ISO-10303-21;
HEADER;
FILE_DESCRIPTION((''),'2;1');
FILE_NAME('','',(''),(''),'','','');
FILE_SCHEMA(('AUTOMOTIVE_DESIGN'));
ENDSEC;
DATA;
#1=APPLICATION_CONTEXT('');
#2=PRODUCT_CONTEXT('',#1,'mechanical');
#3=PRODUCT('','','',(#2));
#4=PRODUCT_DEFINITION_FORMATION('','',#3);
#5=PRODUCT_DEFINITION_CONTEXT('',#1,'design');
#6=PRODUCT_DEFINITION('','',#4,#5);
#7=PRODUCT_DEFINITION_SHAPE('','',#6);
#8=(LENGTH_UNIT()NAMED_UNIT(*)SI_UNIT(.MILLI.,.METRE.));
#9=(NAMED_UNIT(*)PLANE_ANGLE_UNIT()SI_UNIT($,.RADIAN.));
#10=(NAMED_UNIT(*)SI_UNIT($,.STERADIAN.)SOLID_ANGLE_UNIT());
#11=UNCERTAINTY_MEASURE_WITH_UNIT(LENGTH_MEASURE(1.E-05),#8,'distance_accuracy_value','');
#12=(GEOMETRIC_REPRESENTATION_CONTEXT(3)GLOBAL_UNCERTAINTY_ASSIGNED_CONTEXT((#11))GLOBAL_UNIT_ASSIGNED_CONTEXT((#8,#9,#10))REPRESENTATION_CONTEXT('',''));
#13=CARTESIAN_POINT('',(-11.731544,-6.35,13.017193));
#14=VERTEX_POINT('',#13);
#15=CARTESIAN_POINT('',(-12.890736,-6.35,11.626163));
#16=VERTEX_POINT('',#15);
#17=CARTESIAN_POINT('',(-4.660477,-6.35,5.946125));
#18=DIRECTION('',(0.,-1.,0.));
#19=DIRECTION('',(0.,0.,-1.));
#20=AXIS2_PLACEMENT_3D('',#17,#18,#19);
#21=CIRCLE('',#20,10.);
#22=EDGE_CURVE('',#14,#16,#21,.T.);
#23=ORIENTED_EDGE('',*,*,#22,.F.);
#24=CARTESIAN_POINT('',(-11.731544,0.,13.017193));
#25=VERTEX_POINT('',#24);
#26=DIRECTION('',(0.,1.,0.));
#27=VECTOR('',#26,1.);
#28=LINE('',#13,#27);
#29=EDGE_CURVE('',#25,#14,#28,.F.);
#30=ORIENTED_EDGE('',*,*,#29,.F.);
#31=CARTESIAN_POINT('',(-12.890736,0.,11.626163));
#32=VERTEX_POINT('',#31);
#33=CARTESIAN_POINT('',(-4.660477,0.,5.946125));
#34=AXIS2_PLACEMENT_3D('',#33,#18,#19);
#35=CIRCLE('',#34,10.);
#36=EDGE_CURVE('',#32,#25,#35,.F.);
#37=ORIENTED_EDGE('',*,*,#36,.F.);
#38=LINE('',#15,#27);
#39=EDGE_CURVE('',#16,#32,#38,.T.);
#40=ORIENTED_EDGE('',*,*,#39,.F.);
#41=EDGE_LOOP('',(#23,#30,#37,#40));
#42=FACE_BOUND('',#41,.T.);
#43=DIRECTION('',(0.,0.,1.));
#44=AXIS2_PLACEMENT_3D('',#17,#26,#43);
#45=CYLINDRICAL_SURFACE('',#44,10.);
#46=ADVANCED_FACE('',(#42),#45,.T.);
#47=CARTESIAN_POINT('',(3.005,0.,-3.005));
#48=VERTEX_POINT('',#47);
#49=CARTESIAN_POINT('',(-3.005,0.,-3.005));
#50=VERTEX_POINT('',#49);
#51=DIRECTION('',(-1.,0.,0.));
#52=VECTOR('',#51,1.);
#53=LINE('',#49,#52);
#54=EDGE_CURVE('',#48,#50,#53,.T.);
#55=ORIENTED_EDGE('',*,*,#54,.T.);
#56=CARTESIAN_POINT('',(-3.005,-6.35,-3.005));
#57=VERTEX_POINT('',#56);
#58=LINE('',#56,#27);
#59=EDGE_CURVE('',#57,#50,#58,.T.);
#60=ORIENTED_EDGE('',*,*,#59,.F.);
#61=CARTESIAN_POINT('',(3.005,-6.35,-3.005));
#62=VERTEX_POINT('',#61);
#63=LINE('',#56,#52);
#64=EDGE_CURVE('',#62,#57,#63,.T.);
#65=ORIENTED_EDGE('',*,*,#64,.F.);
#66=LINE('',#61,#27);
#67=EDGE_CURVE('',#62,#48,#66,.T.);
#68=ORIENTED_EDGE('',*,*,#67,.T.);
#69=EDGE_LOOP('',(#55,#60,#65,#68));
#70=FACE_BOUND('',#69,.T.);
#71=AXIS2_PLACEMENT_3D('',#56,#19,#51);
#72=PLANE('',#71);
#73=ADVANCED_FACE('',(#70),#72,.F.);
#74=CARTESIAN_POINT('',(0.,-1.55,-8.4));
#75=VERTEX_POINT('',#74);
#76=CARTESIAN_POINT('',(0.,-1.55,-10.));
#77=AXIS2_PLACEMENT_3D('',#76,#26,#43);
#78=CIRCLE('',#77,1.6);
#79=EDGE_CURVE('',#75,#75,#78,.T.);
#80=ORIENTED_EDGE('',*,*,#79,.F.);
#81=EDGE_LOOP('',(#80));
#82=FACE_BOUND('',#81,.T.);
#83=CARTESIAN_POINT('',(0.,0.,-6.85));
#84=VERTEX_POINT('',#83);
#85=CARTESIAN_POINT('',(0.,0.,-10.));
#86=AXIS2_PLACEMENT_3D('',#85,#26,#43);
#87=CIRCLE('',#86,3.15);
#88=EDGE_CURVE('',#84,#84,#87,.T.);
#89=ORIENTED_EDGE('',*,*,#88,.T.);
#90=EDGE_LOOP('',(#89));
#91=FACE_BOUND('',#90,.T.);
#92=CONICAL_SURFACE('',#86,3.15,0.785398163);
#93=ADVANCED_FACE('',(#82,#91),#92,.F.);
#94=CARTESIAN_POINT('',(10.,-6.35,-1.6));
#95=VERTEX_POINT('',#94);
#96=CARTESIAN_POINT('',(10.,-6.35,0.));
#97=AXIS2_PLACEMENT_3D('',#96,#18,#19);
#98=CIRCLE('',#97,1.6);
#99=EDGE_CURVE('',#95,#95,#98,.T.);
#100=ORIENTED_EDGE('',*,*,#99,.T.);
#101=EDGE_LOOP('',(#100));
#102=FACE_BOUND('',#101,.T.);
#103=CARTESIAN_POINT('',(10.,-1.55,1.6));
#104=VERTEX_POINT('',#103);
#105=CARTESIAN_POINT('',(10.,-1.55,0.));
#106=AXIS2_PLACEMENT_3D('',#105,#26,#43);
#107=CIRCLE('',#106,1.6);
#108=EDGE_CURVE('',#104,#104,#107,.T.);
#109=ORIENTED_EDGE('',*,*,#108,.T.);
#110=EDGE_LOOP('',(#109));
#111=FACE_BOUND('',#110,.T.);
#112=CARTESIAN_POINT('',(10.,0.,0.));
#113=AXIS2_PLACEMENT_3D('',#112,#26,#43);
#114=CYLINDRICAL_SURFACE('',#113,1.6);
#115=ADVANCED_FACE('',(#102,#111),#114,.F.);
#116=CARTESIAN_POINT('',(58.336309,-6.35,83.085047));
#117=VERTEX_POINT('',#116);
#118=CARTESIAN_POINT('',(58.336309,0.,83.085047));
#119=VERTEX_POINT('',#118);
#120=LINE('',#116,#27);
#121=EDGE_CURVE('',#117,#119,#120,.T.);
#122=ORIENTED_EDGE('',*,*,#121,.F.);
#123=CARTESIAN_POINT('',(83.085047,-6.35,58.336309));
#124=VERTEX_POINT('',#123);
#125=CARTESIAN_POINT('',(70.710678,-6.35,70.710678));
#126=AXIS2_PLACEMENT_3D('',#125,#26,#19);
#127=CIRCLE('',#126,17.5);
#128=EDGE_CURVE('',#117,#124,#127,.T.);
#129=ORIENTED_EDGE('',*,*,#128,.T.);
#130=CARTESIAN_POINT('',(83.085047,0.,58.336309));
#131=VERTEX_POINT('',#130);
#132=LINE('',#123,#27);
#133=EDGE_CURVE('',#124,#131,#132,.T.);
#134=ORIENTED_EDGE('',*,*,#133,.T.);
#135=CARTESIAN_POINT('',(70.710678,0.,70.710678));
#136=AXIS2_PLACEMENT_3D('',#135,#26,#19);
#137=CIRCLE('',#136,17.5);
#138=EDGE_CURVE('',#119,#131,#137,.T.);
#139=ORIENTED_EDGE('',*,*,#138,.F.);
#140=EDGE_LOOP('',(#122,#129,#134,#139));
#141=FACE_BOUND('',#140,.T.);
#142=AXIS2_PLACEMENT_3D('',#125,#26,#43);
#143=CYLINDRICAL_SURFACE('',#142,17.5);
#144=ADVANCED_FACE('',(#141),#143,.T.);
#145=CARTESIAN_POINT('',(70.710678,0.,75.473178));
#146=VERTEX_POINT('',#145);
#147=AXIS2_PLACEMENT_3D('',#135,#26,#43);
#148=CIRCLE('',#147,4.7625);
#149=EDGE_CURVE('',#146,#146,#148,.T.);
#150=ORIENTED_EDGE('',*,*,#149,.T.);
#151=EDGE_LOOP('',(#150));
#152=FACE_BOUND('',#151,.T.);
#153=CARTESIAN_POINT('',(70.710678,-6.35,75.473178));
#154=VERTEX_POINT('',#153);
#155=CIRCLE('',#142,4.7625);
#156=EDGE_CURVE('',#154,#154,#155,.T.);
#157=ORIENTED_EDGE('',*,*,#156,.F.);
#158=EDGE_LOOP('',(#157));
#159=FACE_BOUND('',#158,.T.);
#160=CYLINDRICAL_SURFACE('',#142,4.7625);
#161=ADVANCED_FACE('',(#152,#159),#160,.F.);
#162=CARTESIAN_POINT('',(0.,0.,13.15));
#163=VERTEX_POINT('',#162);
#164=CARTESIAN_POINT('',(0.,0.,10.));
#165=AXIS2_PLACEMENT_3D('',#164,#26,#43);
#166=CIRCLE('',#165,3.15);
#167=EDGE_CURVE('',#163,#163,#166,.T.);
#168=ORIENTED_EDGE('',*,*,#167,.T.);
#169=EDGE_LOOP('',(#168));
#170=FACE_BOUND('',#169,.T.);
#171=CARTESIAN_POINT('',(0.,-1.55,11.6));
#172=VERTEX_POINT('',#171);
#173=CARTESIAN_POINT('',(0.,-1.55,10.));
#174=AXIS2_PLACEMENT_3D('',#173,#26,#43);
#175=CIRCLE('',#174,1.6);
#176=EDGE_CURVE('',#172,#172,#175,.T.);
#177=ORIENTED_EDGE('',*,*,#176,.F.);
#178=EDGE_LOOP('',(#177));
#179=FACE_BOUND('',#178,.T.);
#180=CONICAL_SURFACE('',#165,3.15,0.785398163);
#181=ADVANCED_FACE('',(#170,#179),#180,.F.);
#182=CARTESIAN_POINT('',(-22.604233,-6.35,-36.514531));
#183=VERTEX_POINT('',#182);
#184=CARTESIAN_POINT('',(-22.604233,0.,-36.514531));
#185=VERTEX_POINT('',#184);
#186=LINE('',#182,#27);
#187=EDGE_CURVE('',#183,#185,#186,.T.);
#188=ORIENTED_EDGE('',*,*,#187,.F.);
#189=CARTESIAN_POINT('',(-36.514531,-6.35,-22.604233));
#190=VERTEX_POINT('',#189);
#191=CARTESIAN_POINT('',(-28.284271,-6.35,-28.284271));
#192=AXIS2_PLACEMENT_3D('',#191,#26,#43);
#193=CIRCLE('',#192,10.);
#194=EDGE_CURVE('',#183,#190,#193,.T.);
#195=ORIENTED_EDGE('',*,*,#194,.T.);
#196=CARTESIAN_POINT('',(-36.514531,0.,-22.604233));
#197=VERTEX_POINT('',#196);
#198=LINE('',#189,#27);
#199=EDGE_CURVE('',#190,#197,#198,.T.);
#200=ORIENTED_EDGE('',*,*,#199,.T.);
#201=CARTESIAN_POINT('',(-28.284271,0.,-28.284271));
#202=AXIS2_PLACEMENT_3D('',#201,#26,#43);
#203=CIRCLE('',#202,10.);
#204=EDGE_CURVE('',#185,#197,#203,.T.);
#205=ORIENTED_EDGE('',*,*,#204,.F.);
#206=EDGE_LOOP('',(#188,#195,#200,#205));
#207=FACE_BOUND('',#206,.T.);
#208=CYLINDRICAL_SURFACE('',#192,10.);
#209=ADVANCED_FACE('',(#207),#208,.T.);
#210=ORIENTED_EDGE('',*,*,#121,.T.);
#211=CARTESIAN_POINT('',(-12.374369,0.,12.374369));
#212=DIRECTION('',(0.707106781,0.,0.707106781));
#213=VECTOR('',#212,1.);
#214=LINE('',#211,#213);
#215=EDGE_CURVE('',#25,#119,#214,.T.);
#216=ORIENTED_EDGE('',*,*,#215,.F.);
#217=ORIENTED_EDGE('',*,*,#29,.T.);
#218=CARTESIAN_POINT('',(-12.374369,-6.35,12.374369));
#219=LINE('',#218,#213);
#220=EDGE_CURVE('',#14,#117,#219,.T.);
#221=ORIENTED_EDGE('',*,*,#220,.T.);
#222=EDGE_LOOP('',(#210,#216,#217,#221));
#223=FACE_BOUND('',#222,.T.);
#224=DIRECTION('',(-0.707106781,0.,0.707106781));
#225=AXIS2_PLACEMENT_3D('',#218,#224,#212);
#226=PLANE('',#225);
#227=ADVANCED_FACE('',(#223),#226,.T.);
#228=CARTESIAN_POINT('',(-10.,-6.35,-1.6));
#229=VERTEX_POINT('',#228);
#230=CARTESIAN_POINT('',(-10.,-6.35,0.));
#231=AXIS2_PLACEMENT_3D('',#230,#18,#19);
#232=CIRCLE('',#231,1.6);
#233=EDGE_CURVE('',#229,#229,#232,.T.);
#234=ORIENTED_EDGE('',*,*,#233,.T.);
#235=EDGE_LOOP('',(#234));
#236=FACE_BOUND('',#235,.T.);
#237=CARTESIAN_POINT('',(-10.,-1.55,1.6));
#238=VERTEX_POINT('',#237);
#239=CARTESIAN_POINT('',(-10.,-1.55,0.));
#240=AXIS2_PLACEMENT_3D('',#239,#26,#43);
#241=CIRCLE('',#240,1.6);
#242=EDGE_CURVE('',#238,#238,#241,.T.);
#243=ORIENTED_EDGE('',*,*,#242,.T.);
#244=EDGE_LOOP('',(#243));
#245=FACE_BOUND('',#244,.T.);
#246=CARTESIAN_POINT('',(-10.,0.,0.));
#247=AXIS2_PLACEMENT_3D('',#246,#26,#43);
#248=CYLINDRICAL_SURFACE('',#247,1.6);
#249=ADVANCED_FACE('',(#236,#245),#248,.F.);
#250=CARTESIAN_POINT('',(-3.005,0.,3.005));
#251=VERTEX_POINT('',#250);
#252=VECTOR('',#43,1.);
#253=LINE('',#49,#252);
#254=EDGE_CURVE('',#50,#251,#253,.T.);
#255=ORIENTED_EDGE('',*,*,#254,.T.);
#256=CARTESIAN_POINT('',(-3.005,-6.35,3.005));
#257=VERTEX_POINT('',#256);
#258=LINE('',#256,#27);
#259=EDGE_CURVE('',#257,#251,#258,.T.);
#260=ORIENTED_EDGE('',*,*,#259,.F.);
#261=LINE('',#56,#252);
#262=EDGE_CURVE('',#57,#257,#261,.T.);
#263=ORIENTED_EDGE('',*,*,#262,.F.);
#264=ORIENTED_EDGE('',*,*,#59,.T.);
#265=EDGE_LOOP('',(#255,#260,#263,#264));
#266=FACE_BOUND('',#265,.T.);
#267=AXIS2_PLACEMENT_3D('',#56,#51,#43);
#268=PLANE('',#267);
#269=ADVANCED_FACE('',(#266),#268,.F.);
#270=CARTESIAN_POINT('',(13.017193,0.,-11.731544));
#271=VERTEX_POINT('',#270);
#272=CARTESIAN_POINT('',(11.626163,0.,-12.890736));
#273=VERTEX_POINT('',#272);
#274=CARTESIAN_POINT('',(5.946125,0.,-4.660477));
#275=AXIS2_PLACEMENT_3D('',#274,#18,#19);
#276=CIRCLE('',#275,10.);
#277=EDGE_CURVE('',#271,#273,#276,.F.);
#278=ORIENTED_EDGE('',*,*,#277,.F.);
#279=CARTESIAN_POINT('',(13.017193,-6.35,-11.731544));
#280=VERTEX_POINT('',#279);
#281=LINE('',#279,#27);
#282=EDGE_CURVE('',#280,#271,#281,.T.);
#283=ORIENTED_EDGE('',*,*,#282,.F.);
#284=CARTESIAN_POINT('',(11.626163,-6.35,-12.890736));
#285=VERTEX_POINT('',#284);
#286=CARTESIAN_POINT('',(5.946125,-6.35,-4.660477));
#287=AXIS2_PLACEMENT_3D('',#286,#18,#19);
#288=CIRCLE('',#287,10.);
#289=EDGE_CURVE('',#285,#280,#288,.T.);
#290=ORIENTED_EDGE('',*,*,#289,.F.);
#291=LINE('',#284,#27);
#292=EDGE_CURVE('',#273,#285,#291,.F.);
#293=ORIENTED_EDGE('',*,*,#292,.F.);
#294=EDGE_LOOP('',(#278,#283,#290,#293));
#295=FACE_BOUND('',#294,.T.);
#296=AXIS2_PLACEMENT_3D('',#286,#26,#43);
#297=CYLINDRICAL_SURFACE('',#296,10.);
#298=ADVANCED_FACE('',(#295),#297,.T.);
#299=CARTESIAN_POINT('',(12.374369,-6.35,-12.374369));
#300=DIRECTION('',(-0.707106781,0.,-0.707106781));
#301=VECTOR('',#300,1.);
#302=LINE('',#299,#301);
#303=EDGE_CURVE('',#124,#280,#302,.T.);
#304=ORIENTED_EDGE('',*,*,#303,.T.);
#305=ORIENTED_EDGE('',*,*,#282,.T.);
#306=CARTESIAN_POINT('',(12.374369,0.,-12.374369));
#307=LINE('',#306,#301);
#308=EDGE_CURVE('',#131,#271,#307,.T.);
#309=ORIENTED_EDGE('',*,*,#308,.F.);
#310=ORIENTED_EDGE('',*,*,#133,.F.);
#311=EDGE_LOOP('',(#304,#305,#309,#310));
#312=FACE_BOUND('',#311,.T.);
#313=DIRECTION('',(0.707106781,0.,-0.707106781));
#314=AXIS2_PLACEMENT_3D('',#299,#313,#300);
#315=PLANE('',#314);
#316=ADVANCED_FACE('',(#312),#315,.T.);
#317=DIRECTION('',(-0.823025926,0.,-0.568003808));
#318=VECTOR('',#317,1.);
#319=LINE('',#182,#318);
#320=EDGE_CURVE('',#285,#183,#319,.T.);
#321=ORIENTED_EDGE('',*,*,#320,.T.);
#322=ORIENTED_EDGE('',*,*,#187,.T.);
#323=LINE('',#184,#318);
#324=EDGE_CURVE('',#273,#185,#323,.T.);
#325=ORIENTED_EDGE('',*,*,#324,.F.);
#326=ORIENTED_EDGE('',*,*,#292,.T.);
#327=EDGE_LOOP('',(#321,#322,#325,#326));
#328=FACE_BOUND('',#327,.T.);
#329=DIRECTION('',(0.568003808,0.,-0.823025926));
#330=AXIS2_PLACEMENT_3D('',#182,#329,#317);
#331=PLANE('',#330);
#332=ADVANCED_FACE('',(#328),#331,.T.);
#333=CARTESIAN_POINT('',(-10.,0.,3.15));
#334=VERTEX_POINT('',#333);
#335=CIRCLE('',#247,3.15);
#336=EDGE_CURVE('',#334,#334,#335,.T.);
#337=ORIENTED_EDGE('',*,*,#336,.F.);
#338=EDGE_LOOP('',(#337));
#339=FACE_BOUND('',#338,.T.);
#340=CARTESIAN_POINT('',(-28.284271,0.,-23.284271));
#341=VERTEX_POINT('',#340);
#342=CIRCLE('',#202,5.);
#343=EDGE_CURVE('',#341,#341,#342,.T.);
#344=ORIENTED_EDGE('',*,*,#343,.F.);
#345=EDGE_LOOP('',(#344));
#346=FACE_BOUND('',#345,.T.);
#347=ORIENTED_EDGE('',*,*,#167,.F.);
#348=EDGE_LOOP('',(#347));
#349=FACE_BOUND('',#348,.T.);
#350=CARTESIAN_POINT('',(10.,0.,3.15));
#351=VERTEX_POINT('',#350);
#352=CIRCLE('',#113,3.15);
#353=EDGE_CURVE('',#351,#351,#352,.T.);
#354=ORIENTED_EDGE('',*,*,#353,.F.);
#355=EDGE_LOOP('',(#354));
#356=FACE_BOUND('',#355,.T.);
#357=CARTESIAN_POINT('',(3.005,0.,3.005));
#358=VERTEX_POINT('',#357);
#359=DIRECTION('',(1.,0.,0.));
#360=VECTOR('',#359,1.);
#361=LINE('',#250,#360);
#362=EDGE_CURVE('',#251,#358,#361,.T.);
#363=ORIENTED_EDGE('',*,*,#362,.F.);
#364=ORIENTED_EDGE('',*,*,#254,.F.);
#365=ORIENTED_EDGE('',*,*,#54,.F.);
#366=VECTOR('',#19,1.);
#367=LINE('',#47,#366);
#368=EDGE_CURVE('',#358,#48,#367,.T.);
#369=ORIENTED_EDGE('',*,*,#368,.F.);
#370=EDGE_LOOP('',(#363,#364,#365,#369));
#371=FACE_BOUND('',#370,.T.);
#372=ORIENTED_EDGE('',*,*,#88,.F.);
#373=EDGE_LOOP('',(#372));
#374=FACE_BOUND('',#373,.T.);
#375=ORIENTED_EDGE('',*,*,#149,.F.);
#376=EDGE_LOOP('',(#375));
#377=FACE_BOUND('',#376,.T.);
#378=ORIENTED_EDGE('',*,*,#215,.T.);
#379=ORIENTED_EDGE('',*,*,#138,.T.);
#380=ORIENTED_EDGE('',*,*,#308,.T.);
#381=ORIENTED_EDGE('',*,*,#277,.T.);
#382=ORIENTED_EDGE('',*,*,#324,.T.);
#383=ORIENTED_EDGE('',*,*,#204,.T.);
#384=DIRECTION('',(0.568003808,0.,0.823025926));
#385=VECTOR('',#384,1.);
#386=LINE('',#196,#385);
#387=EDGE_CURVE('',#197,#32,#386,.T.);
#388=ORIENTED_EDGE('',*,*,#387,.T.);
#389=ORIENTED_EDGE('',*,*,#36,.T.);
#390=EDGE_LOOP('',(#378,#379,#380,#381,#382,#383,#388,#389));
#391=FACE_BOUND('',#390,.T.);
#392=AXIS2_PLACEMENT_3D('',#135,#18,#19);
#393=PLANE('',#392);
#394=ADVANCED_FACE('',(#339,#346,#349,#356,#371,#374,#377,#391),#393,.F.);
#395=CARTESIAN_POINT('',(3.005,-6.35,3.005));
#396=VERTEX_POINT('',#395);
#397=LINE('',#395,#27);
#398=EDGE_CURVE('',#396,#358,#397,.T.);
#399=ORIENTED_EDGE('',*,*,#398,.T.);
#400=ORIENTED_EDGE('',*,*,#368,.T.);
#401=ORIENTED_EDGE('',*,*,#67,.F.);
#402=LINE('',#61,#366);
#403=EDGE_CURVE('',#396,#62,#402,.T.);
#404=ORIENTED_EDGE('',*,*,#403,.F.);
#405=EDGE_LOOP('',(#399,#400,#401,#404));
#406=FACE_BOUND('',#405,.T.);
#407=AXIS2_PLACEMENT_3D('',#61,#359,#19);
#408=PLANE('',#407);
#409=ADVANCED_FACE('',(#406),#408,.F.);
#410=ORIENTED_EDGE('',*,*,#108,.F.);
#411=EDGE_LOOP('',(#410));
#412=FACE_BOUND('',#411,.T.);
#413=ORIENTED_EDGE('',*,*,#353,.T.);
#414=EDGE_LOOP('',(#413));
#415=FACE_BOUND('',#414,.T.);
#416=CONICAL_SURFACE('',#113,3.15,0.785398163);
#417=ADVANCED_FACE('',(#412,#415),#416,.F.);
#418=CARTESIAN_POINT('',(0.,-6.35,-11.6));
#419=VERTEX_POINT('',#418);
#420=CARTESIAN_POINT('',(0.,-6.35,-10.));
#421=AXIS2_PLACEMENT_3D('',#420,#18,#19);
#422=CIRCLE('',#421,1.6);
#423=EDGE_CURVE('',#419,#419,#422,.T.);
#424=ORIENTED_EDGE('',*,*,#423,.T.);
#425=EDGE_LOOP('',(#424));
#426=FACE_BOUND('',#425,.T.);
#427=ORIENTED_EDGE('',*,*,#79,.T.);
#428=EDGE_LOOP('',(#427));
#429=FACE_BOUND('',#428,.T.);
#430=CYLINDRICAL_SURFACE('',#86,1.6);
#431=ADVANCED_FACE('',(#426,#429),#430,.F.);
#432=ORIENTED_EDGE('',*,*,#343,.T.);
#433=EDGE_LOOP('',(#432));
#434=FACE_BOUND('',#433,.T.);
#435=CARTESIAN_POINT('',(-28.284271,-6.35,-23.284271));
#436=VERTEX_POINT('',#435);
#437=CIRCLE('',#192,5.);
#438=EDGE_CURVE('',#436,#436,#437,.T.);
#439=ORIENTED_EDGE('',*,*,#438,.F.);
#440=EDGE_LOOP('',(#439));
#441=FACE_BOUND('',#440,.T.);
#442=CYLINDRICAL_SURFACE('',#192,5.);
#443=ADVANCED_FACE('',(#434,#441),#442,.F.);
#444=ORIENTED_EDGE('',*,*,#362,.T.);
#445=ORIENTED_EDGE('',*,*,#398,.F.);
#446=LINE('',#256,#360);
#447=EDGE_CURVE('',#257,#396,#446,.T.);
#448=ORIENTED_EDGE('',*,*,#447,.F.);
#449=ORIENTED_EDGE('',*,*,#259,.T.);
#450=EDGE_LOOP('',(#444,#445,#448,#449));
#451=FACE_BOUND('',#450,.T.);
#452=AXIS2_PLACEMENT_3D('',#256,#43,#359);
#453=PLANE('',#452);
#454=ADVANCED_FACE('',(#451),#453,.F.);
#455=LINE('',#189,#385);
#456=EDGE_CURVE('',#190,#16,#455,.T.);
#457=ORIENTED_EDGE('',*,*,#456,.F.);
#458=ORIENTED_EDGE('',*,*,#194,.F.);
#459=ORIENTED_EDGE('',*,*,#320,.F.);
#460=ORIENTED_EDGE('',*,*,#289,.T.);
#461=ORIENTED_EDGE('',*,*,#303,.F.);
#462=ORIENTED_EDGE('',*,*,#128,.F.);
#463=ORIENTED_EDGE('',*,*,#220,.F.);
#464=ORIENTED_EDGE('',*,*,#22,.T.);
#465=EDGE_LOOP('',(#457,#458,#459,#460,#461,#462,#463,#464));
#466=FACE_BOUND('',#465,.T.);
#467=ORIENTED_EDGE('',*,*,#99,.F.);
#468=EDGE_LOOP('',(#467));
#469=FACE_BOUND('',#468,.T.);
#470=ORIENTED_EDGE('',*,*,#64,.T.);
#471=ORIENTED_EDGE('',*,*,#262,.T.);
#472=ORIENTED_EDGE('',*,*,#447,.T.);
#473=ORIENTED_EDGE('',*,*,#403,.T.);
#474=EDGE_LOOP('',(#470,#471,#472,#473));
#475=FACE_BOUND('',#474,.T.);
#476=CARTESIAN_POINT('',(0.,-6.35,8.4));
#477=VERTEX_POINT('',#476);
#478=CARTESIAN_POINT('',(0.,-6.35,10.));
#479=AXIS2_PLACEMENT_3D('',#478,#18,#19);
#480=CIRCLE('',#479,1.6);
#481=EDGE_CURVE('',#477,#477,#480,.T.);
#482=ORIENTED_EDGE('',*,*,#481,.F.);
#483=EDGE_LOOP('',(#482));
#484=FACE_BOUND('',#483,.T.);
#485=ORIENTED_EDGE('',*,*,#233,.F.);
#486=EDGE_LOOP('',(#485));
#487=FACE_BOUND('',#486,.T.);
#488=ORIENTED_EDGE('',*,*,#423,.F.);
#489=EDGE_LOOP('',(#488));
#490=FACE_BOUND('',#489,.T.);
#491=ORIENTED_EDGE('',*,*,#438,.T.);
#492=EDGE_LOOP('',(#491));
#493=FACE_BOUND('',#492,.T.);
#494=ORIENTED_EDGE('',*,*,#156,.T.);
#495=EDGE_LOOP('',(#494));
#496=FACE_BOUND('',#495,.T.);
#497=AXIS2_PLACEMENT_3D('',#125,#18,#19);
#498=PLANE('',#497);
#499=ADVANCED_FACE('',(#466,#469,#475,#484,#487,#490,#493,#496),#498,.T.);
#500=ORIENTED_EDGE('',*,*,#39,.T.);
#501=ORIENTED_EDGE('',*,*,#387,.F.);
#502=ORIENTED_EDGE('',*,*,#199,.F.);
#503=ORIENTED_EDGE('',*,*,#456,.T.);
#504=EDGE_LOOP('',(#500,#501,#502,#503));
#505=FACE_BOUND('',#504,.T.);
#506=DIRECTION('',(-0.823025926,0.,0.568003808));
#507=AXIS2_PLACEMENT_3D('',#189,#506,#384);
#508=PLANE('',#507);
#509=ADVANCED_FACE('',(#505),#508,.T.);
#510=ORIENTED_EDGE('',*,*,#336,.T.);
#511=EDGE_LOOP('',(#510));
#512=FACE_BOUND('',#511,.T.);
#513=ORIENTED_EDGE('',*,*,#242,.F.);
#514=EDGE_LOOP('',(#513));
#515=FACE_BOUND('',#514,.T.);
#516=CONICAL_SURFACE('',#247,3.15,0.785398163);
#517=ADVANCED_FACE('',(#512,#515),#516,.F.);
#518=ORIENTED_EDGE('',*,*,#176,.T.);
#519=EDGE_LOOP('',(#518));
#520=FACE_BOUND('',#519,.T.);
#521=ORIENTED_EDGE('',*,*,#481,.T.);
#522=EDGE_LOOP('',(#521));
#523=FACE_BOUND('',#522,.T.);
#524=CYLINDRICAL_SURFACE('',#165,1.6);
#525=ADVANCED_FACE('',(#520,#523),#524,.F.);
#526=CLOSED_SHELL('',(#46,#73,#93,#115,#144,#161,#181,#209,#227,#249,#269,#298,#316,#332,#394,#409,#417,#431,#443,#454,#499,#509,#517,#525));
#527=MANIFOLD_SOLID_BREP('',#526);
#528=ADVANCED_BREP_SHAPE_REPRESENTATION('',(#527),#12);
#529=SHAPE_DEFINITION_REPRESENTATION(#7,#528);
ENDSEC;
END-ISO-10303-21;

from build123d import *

# Parameters (mm, degrees)
SKETCH2_R                                       = 4.7625
SKETCH2_W                                       = 6.01
SKETCH2_H                                       = 6.01
SKETCH2_R_2                                     = 5
BOSS_EXTRUDE1_DEPTH                             = 6.35
CSK_FOR_M3_FLAT_HEAD_MACHINE_SCREW1_D           = 3.2
CSK_FOR_M3_FLAT_HEAD_MACHINE_SCREW1_CSINK_D     = 6.3
CSK_FOR_M3_FLAT_HEAD_MACHINE_SCREW1_CSINK_ANGLE = 90
FILLET1_R                                       = 10


with BuildPart() as part:
    # Sketch2 → Boss-Extrude1 (new body)
    with BuildSketch(Plane(origin=(0, 0, 0), x_dir=(1, 0, 0), z_dir=(0, 1, 0))):
        with BuildLine():
            Line((83.085046789, -58.336309448), (12.374368671, 12.374368671))
            Line((12.374368671, 12.374368671), (-22.604233169, 36.514530504))
            ThreePointArc((-22.604233169, 36.514530504), (-35.355339059, 35.355339059), (-36.514530504, 22.604233169))
            Line((-36.514530504, 22.604233169), (-12.374368671, -12.374368671))
            Line((-12.374368671, -12.374368671), (58.336309448, -83.085046789))
            ThreePointArc((58.336309448, -83.085046789), (83.085046789, -83.085046789), (83.085046789, -58.336309448))
        make_face()
        with Locations((70.710678119, -70.710678119)):
            Circle(SKETCH2_R, mode=Mode.SUBTRACT)
        Rectangle(SKETCH2_W, SKETCH2_H, mode=Mode.SUBTRACT)
        with Locations((-28.284271247, 28.284271247)):
            Circle(SKETCH2_R_2, mode=Mode.SUBTRACT)
    extrude(amount=-BOSS_EXTRUDE1_DEPTH)

    # CSK for M3 Flat Head Machine Screw1 (through all)
    with Locations(Plane(origin=(0, 0, -10), x_dir=(0, 0, 1), z_dir=(0, 1, 0))):
        with Locations((0, 0), (10, -10), (10, 10), (20, 0)):
            CounterSinkHole(CSK_FOR_M3_FLAT_HEAD_MACHINE_SCREW1_D / 2, CSK_FOR_M3_FLAT_HEAD_MACHINE_SCREW1_CSINK_D / 2, counter_sink_angle=CSK_FOR_M3_FLAT_HEAD_MACHINE_SCREW1_CSINK_ANGLE)

    # Fillet1
    fillet1_edges = [part.edges().sort_by_distance(p)[0] for p in [
        (12.374368671, -3.175, -12.374368671),
        (-12.374368671, -3.175, 12.374368671),
    ]]
    fillet(fillet1_edges, radius=FILLET1_R)


solid = part.part
